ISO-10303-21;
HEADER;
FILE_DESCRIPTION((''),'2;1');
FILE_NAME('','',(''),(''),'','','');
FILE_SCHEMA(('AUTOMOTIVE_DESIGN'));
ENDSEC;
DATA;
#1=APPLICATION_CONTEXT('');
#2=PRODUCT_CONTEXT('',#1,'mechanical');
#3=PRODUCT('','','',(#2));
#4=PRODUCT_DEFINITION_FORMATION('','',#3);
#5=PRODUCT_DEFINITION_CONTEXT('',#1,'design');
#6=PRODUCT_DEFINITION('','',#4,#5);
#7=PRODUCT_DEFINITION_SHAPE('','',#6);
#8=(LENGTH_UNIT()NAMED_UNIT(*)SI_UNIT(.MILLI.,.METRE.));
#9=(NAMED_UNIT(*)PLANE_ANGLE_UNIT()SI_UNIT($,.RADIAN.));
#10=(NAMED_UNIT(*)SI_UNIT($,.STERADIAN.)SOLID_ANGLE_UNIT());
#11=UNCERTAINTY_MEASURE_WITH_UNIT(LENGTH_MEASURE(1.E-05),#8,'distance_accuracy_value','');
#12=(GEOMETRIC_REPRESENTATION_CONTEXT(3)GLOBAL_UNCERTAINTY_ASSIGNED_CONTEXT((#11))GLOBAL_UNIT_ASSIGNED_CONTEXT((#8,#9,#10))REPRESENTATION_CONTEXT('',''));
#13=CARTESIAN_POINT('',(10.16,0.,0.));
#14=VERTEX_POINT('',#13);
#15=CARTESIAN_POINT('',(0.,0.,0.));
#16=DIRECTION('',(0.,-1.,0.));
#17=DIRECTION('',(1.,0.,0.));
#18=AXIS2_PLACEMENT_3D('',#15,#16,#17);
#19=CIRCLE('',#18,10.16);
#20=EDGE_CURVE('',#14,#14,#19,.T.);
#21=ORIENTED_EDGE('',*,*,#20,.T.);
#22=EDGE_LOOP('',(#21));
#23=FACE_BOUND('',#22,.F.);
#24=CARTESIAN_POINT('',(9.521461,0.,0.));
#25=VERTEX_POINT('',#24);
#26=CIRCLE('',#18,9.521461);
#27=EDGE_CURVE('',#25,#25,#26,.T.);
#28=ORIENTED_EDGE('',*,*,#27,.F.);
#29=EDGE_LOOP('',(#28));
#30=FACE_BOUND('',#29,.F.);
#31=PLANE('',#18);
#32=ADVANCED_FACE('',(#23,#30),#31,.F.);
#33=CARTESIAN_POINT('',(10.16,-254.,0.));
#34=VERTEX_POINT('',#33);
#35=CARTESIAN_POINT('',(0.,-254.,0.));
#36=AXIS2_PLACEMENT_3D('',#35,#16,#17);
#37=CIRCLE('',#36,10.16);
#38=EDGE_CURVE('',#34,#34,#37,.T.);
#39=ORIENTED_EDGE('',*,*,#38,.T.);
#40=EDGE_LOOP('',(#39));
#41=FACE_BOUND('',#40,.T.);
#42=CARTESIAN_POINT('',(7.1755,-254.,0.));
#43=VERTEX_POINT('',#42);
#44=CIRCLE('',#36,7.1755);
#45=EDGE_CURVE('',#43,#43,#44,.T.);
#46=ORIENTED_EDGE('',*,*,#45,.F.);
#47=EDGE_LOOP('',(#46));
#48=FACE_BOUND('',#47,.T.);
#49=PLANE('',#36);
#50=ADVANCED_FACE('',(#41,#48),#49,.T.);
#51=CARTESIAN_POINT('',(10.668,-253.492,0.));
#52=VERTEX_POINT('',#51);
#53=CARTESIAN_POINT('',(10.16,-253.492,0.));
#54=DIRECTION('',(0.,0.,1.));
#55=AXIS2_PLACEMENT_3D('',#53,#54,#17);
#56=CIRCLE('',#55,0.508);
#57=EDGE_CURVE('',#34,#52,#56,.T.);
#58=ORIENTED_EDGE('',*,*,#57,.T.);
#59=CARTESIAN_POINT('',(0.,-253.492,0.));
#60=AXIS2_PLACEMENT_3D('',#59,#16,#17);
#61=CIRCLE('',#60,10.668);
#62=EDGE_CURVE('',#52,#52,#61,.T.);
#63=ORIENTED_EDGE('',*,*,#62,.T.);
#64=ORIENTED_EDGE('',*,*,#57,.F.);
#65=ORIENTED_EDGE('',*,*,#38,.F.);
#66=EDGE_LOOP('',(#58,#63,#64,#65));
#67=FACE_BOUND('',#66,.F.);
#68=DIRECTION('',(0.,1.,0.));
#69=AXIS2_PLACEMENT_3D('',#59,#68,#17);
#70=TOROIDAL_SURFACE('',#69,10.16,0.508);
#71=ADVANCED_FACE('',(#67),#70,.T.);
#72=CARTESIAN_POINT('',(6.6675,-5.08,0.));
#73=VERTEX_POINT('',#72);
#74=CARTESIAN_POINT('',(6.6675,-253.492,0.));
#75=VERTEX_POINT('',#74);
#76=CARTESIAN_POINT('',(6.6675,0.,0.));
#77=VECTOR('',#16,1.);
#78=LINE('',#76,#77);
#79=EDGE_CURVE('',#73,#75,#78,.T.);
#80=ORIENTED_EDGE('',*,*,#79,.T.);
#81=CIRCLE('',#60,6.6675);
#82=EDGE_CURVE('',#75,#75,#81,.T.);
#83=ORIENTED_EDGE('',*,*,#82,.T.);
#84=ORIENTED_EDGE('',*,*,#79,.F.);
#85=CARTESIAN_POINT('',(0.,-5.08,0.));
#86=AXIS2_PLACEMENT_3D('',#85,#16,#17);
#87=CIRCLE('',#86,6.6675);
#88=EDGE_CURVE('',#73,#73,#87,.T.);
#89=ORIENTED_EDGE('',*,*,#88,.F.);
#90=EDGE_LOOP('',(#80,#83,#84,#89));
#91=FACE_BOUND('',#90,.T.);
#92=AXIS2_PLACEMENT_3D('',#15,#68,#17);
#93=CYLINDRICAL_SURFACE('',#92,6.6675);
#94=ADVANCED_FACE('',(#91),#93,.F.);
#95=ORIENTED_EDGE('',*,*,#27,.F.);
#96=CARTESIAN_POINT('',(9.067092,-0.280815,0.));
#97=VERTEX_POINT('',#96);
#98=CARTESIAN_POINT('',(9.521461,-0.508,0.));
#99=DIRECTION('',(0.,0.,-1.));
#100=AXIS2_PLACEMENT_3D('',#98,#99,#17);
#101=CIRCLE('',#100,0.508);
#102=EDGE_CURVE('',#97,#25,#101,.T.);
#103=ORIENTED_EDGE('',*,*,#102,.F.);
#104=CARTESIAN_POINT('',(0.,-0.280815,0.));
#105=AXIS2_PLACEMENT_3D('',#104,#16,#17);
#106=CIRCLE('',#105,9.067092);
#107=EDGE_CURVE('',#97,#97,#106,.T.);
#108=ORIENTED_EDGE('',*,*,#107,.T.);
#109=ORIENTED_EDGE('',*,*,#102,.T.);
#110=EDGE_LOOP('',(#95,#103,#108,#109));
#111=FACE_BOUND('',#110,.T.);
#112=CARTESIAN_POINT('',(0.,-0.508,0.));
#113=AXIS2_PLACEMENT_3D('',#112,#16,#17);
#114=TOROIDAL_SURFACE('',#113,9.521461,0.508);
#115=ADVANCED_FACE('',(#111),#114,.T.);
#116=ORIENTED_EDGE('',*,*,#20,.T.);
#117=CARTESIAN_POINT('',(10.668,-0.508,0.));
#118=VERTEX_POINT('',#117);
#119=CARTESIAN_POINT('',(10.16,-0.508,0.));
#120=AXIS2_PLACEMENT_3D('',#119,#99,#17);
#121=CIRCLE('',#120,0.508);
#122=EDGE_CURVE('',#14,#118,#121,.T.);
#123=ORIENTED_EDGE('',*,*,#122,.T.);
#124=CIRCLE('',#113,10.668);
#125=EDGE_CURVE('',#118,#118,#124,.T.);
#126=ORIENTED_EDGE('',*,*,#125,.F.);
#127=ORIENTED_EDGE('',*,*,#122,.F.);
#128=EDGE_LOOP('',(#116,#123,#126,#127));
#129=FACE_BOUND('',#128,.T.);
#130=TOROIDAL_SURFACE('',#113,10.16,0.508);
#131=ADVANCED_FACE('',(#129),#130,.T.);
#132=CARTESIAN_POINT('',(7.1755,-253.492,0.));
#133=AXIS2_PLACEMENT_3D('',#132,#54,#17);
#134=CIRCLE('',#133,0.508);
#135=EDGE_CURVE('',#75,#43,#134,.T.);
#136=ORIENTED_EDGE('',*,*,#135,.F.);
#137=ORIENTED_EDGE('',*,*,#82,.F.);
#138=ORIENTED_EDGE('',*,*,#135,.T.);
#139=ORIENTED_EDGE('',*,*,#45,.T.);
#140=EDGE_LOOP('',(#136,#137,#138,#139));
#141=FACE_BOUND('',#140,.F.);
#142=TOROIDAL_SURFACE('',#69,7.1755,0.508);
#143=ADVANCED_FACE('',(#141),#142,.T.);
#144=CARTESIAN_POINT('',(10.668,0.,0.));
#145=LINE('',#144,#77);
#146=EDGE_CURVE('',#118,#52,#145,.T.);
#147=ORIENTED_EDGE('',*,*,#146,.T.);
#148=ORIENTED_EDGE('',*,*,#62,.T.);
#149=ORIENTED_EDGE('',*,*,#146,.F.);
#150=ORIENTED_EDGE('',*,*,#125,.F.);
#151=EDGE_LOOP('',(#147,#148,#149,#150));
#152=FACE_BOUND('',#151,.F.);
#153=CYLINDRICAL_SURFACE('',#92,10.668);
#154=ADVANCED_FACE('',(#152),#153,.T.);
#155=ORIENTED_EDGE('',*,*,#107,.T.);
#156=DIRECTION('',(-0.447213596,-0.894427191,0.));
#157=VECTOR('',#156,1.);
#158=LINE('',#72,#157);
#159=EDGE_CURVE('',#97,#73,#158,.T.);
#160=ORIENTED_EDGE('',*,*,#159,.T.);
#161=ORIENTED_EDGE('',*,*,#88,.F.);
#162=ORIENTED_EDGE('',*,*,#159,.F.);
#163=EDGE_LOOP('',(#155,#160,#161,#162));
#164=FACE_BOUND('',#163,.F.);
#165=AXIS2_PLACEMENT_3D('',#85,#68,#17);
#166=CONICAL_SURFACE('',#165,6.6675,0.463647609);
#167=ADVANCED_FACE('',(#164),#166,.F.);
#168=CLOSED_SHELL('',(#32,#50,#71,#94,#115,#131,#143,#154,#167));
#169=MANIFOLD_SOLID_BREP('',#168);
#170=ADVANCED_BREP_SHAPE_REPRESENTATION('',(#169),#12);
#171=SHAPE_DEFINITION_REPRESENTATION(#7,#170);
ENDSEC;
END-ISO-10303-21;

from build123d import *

# Parameters (mm, degrees)
F0_R     = 10.668
F0_R_2   = 6.6675
F1_DEPTH = 254
F2_SIZE2 = 5.08
F2_SIZE  = 2.54
F3_R     = 0.508
F4_R     = 0.508


with BuildPart() as f1:
    # F0 (on Front) → F1 (new body)
    with BuildSketch(Plane.XZ):
        Circle(F0_R)
        Circle(F0_R_2, mode=Mode.SUBTRACT)
    extrude(amount=F1_DEPTH)

    # F2
    f2_edges = [f1.edges().sort_by_distance(p)[0] for p in [
        (-6.6675, 0, 0),
    ]]
    f2_side = f1.faces().sort_by_distance((-10.366263, 0, 0))[0]
    chamfer(f2_edges, length=F2_SIZE, length2=F2_SIZE2, reference=f2_side)

    # F3
    f3_edges = [f1.edges().sort_by_distance(p)[0] for p in [
        (-10.668, 0, 0),
        (-9.2075, 0, 0),
    ]]
    fillet(f3_edges, radius=F3_R)

    # F4
    f4_edges = [f1.edges().sort_by_distance(p)[0] for p in [
        (-10.668, -254, 0),
        (-6.6675, -254, 0),
    ]]
    fillet(f4_edges, radius=F4_R)


solid = f1.part
